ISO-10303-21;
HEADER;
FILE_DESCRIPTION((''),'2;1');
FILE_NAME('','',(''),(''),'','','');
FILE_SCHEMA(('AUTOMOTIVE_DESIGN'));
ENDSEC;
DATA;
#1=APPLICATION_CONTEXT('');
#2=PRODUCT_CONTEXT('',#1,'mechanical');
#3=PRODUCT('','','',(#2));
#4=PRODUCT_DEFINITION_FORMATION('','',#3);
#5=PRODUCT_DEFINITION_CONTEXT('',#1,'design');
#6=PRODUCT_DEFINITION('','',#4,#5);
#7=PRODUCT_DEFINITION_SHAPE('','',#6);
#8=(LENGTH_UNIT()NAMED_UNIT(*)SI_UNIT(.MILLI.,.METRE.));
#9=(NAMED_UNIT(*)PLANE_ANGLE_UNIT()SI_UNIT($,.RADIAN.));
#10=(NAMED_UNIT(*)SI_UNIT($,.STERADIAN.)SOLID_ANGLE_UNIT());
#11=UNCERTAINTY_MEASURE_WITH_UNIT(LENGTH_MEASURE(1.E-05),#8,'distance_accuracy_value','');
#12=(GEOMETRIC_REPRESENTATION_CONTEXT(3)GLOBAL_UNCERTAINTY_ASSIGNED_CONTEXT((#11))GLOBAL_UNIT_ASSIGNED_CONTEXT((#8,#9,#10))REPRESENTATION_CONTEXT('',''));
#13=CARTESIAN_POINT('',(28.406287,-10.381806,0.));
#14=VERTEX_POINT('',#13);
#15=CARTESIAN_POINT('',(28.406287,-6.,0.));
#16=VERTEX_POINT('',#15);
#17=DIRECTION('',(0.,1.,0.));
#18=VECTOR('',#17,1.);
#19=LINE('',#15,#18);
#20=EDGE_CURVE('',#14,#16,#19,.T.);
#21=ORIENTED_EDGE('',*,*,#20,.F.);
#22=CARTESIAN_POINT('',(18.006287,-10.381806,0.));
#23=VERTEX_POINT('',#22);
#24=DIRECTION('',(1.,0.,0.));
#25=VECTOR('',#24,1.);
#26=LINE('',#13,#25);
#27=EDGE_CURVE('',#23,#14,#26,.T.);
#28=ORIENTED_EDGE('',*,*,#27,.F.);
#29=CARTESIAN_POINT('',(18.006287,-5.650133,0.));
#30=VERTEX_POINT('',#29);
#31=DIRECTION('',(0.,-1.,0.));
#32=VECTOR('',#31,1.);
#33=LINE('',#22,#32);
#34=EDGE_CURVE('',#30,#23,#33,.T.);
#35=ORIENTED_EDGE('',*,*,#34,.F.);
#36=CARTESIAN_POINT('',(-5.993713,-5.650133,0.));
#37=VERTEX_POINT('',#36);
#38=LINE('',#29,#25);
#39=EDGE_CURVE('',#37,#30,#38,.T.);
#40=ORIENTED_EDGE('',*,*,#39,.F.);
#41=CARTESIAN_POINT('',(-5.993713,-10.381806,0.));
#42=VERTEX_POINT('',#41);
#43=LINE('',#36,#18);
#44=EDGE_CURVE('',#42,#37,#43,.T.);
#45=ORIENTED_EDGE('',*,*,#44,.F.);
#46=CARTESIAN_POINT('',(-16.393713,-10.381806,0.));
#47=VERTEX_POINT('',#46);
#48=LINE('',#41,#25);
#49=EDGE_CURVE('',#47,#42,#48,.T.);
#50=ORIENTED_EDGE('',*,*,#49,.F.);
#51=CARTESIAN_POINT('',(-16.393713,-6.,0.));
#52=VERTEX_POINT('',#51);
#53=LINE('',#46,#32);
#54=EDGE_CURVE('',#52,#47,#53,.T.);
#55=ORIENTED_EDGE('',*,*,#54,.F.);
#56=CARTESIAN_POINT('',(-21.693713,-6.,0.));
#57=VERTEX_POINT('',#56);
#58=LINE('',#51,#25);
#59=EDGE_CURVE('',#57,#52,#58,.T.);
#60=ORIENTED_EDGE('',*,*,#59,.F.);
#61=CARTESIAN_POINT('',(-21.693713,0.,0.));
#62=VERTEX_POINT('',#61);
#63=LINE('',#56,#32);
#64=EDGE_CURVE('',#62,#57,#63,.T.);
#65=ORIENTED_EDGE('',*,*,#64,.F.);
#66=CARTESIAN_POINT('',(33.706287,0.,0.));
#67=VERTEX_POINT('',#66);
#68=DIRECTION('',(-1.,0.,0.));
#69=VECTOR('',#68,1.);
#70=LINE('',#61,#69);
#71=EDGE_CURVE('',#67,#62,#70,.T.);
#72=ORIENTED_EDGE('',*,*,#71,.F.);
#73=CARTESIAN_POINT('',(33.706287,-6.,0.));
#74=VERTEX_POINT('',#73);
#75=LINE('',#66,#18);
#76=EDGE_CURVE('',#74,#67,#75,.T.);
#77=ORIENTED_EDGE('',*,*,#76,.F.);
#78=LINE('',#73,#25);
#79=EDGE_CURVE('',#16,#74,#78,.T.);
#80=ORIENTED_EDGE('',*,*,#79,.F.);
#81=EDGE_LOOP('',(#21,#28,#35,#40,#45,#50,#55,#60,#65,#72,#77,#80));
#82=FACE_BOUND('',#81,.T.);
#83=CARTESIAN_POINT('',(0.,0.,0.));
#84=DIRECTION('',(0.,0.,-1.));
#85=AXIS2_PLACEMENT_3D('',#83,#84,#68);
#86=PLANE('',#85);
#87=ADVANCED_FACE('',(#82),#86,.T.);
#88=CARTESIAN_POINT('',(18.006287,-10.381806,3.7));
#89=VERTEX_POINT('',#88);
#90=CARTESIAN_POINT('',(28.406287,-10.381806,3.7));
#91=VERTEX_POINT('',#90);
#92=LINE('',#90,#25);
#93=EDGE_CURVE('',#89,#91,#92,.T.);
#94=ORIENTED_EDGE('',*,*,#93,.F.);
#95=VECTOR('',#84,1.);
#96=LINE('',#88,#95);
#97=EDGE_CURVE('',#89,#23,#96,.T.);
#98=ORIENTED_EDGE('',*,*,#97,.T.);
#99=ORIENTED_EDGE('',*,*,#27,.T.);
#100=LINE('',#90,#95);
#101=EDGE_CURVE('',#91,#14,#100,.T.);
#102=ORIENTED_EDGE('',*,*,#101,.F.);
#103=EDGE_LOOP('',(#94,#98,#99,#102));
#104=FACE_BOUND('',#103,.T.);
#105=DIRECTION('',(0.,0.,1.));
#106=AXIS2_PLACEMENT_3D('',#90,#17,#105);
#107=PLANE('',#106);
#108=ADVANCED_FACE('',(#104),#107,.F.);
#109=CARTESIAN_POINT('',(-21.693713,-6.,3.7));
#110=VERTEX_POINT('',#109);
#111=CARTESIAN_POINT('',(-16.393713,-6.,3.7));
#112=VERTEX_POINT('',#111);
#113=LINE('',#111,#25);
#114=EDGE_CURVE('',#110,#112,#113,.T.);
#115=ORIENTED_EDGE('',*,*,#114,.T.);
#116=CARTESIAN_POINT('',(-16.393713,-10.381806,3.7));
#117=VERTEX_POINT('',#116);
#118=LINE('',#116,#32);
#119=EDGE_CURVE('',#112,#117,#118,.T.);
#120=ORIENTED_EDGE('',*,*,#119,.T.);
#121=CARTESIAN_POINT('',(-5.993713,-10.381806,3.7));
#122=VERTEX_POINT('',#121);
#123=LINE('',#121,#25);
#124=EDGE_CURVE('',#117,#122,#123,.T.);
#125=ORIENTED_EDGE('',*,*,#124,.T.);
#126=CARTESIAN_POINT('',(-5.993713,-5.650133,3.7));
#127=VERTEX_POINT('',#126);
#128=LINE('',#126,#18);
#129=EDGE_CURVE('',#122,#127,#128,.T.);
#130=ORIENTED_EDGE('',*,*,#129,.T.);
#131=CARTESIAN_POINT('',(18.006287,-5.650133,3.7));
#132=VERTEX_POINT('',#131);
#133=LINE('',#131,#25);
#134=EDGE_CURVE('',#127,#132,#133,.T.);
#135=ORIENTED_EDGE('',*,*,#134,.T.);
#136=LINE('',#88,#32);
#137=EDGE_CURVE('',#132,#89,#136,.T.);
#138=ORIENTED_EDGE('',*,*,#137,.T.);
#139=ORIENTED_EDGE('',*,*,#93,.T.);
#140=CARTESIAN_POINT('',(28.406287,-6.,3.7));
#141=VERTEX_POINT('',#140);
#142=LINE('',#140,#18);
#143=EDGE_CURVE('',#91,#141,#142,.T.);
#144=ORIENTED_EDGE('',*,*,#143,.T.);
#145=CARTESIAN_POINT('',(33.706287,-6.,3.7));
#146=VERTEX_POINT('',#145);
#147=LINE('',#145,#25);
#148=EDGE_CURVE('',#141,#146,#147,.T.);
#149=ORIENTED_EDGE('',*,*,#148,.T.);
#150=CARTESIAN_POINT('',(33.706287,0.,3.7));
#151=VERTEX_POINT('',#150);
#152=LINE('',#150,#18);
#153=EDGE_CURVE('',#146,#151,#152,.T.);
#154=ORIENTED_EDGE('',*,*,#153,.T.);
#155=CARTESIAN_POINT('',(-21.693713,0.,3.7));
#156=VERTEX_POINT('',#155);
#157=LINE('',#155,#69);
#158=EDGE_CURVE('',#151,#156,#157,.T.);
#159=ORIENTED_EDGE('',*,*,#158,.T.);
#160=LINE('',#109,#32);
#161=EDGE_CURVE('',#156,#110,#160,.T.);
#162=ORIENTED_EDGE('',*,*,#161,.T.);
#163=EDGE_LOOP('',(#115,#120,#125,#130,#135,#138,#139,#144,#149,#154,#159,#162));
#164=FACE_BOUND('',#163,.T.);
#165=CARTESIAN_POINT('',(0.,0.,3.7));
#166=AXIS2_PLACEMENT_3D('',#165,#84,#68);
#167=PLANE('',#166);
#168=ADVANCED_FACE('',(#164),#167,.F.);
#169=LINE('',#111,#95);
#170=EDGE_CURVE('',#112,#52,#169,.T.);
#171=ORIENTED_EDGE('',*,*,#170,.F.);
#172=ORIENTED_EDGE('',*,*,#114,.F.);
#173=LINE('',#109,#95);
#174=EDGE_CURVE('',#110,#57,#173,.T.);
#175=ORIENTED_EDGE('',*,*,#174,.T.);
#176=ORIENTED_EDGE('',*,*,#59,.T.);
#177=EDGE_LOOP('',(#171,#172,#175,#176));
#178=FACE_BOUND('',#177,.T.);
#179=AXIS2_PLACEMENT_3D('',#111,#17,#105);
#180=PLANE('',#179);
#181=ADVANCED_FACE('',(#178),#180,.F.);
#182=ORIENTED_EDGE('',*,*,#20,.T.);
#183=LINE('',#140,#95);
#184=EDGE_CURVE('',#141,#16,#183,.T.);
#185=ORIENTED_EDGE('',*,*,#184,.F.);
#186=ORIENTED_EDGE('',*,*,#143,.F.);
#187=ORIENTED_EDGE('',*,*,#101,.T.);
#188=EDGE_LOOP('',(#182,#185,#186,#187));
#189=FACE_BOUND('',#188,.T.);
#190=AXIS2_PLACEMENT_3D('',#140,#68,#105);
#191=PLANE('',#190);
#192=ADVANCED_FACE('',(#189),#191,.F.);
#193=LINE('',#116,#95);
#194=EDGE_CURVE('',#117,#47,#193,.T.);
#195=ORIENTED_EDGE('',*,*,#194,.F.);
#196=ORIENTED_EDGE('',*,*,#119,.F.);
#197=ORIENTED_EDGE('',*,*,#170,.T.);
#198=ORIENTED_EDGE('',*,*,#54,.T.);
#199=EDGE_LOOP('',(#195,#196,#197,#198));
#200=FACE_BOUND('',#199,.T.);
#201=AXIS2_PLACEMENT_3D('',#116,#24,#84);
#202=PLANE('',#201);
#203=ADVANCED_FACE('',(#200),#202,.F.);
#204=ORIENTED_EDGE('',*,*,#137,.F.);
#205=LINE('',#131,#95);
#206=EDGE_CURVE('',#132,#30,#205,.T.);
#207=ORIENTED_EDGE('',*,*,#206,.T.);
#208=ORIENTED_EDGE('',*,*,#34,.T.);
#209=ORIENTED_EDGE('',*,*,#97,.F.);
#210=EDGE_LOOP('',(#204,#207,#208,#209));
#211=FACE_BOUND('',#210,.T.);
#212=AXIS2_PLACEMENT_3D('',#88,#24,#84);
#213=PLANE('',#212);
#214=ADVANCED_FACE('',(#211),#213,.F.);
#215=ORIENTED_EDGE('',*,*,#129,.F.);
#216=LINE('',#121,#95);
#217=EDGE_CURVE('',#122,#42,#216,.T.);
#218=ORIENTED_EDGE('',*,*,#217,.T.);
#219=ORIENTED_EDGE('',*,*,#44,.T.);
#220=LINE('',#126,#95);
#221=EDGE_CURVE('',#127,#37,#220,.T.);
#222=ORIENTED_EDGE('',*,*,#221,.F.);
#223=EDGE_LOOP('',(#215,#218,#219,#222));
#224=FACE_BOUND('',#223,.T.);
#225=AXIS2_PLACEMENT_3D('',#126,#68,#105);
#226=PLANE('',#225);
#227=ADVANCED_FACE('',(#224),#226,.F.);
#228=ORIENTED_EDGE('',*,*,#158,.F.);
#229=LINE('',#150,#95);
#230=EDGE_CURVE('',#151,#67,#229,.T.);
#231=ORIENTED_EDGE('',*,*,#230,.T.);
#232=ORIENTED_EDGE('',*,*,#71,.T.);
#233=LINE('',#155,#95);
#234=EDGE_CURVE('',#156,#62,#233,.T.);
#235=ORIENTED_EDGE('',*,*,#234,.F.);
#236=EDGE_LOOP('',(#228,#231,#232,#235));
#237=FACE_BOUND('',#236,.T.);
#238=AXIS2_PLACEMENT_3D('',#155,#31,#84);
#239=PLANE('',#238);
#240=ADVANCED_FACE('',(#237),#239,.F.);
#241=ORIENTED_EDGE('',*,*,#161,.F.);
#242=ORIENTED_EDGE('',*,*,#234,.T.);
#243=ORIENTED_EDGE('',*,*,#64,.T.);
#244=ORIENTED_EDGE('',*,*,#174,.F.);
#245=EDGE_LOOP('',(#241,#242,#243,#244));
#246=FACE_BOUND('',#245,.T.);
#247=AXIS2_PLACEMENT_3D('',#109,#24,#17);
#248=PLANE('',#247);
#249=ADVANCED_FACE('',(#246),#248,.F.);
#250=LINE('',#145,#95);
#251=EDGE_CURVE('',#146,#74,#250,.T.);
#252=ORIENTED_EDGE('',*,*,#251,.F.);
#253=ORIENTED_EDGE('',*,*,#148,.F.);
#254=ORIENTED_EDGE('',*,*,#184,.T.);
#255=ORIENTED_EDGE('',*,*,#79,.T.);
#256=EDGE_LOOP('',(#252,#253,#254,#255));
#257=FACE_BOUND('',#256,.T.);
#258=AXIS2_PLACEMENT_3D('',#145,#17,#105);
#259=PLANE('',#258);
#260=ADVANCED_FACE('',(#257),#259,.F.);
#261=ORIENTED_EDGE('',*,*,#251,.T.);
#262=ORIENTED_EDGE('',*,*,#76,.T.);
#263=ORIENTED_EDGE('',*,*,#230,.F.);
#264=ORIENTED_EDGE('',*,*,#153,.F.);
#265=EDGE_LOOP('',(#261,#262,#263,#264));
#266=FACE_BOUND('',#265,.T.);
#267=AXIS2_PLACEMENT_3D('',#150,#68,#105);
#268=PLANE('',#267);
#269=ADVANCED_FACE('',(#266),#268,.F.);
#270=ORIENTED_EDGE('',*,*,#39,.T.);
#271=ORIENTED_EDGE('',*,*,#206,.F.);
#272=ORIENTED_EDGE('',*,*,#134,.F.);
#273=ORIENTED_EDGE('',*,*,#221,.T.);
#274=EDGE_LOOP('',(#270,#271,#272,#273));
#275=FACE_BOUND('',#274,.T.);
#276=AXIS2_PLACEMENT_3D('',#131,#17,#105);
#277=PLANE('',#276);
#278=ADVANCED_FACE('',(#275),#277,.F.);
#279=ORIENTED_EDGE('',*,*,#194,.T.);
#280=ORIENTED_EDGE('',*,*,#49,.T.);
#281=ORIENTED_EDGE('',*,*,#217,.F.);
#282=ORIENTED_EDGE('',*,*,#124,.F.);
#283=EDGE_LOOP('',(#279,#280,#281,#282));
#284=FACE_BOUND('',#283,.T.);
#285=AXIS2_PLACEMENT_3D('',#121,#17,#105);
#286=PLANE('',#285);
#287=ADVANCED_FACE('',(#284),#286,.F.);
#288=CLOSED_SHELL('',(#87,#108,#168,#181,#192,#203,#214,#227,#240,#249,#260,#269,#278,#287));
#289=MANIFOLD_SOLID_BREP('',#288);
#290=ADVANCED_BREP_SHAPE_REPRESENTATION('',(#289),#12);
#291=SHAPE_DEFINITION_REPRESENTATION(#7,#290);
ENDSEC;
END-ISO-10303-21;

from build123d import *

# Parameters (mm, degrees)
BOSS_EXTRUDE1_DEPTH = 3.7


with BuildPart() as part:
    # Sketch1 → Boss-Extrude1 (new body)
    with BuildSketch(Plane.XY):
        Polygon((-21.693712593, 0), (33.706287407, 0), (33.706287407, -6), (28.406287407, -6), (28.406287407, -10.381805668), (18.006287407, -10.381805668), (18.006287407, -5.65013307), (-5.993712593, -5.65013307), (-5.993712593, -10.381805668), (-16.393712593, -10.381805668), (-16.393712593, -6), (-21.693712593, -6), align=None)
    extrude(amount=BOSS_EXTRUDE1_DEPTH)


solid = part.part
